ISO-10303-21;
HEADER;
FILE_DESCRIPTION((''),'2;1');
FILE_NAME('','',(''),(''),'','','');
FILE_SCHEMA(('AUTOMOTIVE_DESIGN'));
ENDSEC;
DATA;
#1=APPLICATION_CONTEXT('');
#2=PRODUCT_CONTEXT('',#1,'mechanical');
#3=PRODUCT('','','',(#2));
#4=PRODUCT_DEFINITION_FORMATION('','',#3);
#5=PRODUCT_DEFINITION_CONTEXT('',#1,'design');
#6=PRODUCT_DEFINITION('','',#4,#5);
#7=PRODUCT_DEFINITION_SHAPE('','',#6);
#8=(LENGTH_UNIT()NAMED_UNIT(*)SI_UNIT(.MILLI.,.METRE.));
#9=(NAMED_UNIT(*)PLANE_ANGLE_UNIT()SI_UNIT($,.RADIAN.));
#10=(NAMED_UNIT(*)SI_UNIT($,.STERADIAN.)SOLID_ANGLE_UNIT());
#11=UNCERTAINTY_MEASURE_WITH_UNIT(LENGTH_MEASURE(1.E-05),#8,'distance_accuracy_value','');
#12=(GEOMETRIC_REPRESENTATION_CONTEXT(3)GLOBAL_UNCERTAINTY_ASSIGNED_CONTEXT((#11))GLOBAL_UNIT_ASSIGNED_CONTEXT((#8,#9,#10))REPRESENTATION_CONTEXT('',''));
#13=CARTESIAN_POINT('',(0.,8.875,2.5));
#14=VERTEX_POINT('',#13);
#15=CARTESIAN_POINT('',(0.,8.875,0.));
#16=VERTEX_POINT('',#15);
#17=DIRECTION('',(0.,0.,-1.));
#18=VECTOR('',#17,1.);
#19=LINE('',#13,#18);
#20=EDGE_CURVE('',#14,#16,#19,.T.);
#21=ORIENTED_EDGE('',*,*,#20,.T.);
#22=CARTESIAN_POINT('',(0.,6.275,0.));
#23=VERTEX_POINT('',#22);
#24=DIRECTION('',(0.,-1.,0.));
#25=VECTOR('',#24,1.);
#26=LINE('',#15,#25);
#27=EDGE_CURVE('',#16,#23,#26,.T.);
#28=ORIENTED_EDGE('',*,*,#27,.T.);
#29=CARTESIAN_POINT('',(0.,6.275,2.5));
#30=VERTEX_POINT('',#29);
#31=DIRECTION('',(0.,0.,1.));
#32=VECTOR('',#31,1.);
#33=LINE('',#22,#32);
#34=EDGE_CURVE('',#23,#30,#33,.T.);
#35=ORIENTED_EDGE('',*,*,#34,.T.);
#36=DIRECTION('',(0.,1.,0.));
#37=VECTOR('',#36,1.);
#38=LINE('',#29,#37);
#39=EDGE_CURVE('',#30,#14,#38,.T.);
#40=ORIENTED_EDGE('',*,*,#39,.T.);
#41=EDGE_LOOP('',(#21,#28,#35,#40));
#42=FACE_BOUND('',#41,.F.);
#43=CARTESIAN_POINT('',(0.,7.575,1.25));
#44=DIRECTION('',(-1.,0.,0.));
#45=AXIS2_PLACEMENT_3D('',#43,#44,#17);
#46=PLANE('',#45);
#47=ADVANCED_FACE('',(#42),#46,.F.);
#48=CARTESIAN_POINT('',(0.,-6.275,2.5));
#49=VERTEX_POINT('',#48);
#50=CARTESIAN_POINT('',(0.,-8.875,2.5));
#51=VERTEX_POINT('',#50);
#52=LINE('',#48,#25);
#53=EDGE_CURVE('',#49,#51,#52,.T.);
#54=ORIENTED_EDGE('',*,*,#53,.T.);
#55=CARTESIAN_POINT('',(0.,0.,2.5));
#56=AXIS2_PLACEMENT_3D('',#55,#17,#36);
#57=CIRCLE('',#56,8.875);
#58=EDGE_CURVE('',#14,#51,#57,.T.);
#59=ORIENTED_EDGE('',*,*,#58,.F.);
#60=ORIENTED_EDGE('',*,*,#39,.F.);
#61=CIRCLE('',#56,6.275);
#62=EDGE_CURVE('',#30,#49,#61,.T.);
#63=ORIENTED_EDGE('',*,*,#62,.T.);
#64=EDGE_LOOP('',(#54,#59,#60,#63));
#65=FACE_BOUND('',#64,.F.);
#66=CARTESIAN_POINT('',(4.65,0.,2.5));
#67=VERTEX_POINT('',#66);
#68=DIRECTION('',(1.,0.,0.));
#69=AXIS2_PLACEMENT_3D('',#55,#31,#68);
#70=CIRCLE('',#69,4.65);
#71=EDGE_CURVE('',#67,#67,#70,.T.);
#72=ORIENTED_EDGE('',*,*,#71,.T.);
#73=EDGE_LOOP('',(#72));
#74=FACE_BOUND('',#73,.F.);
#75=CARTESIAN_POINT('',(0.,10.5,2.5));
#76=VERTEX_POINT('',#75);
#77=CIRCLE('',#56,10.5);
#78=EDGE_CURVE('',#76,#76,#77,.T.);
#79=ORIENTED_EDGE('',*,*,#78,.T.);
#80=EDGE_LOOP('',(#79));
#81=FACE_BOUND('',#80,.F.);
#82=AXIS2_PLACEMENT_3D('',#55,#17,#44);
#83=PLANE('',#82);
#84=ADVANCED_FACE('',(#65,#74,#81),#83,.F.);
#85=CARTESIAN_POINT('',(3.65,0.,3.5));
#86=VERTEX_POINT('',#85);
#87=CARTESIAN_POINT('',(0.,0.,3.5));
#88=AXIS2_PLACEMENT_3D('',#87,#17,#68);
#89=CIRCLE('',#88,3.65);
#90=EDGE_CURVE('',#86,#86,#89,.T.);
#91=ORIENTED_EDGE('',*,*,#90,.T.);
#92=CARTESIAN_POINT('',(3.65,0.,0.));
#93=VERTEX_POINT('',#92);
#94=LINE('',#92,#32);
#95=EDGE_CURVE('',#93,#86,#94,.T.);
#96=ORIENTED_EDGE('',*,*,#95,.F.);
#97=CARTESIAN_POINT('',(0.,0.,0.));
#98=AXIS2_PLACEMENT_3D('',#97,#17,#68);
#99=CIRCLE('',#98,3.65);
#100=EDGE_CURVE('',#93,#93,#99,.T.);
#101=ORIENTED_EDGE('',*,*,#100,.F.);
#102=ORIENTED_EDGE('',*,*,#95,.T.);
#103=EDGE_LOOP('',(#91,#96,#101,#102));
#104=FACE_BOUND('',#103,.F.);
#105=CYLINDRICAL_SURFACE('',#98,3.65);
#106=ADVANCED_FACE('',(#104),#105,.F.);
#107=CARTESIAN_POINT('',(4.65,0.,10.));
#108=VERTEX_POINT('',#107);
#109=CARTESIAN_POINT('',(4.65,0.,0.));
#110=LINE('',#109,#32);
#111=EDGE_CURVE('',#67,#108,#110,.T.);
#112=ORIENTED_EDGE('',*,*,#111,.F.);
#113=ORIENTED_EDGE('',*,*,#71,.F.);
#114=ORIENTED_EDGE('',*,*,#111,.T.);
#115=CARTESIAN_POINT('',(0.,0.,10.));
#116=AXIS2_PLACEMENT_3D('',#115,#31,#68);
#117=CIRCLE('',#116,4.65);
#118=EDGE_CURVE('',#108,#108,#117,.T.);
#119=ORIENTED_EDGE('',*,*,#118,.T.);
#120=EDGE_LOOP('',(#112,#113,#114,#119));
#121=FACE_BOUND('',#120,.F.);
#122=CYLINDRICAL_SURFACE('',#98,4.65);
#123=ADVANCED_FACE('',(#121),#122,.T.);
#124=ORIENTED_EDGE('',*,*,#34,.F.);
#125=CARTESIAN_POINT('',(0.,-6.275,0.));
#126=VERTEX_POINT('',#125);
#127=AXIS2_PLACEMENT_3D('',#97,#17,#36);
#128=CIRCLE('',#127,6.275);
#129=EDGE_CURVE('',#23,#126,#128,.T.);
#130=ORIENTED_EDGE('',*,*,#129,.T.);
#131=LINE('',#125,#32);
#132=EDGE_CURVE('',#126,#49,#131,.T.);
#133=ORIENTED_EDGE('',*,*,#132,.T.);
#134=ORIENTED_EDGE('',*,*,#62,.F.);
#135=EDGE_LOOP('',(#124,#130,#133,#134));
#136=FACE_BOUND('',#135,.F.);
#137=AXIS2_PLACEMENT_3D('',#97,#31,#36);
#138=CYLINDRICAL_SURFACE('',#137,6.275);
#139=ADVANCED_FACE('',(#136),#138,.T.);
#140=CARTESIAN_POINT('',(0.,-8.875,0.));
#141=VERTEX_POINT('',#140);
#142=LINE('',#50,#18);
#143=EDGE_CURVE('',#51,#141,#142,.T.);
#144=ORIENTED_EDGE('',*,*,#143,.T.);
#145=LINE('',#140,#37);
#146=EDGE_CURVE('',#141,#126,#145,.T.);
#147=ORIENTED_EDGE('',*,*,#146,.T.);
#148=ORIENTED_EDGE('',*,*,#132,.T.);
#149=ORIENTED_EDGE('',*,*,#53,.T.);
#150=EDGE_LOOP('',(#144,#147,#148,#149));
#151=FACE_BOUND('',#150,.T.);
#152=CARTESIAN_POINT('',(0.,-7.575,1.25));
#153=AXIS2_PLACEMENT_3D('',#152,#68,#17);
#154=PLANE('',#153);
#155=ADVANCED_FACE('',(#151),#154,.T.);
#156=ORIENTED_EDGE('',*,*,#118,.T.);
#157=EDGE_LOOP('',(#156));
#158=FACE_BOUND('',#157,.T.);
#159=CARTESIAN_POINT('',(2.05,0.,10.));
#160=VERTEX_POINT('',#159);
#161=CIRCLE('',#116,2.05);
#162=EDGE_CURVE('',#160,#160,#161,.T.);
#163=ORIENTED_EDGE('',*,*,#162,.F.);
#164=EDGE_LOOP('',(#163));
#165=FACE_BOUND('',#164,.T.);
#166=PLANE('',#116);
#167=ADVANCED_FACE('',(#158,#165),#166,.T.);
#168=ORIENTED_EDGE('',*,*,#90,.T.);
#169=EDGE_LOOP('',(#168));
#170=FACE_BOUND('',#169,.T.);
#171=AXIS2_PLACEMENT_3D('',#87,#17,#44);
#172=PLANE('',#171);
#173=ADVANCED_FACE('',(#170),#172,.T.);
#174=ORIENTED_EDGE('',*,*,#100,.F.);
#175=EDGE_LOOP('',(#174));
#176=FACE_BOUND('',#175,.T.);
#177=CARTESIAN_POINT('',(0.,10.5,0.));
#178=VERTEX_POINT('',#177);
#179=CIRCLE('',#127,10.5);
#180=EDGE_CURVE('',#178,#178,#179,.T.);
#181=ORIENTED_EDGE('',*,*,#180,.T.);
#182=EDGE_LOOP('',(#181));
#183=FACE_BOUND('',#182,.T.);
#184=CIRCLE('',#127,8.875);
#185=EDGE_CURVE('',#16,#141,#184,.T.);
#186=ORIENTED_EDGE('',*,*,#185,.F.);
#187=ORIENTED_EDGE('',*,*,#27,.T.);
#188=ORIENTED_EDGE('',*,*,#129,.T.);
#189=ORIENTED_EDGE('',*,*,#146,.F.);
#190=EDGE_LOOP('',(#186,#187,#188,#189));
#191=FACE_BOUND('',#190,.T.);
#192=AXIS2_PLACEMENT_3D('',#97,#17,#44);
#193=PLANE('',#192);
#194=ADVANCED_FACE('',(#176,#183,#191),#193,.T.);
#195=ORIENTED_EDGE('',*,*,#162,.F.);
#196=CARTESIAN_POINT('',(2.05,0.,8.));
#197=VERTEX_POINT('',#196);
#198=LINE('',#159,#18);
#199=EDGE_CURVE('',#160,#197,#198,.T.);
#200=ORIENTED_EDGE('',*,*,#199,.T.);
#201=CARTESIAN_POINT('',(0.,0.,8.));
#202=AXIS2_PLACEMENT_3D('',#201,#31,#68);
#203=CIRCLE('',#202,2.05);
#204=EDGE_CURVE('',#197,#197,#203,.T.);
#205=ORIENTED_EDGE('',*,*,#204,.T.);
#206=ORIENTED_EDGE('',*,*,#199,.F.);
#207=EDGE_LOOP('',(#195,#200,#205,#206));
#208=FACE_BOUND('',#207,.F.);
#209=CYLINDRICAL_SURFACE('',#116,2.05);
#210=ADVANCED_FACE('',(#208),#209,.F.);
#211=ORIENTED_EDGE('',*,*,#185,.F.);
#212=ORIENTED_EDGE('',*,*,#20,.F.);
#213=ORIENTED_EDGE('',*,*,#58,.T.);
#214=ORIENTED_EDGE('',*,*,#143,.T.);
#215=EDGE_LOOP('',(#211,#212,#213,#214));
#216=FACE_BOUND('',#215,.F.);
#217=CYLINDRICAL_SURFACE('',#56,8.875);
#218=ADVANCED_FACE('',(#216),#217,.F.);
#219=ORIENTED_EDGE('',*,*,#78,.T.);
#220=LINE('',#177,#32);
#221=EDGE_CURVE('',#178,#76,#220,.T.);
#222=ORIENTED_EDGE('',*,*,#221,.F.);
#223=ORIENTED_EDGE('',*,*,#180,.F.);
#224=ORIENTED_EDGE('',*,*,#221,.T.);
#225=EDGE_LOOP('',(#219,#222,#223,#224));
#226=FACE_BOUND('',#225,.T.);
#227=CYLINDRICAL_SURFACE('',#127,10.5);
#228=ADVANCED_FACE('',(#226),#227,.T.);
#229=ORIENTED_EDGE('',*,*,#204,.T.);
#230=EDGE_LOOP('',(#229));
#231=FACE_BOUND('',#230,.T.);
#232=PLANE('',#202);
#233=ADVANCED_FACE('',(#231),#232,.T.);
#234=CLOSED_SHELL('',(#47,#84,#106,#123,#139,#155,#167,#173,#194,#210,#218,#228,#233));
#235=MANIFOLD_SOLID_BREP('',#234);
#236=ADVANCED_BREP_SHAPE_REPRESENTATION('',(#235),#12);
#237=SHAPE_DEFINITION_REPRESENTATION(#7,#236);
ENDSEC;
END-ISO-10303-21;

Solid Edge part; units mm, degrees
sketch "Sketch1" plane through (0, 0, 0) normal (0, 0, 1) x (1, 0, 0)
  circle A0 centre (0, 0) radius 4.65
extrude "Protrusion1" add sketch "Sketch1" along normal blind 10
sketch "Sketch2" plane through (0, 0, 10) normal (0, 0, 1) x (1, 0, 0)
  circle A0 centre (0, 0) radius 2.05
extrude "VaciadoExtruido_1" cut sketch "Sketch2" against normal blind 2
sketch "Sketch3" plane through (0, 0, 0) normal (0, 0, -1) x (1, 0, 0)
  circle A0 centre (0, 0) radius 3.65
extrude "VaciadoExtruido_2" cut sketch "Sketch3" against normal blind 3.5
extrude "ProtrusiónExtruida_2" [suppressed]
sketch "Sketch4" plane through (0, 0, 0) normal (0, 0, -1) x (0, 1, 0)
  circle A0 centre (0, 0) radius 10.5
  circle A1 centre (0, 0) radius 4.65
  dimension "D1" = 21
extrude "Protrusion2" add sketch "Sketch4" against normal blind 2.5
sketch "Sketch5" plane through (0, 0, 0) normal (1, 0, 0) x (0, 1, 0)
  line L0 (8.875, 0) -> (6.275, 0)
  line L1 (6.275, 0) -> (6.275, 2.5)
  line L2 (6.275, 2.5) -> (8.875, 2.5)
  line L3 (8.875, 2.5) -> (8.875, 0)
revolve "VaciadoPorRevolución_2" cut sketch "Sketch5" angle 180 about axis through (0, 0, 0) along (0, 0, -1)
